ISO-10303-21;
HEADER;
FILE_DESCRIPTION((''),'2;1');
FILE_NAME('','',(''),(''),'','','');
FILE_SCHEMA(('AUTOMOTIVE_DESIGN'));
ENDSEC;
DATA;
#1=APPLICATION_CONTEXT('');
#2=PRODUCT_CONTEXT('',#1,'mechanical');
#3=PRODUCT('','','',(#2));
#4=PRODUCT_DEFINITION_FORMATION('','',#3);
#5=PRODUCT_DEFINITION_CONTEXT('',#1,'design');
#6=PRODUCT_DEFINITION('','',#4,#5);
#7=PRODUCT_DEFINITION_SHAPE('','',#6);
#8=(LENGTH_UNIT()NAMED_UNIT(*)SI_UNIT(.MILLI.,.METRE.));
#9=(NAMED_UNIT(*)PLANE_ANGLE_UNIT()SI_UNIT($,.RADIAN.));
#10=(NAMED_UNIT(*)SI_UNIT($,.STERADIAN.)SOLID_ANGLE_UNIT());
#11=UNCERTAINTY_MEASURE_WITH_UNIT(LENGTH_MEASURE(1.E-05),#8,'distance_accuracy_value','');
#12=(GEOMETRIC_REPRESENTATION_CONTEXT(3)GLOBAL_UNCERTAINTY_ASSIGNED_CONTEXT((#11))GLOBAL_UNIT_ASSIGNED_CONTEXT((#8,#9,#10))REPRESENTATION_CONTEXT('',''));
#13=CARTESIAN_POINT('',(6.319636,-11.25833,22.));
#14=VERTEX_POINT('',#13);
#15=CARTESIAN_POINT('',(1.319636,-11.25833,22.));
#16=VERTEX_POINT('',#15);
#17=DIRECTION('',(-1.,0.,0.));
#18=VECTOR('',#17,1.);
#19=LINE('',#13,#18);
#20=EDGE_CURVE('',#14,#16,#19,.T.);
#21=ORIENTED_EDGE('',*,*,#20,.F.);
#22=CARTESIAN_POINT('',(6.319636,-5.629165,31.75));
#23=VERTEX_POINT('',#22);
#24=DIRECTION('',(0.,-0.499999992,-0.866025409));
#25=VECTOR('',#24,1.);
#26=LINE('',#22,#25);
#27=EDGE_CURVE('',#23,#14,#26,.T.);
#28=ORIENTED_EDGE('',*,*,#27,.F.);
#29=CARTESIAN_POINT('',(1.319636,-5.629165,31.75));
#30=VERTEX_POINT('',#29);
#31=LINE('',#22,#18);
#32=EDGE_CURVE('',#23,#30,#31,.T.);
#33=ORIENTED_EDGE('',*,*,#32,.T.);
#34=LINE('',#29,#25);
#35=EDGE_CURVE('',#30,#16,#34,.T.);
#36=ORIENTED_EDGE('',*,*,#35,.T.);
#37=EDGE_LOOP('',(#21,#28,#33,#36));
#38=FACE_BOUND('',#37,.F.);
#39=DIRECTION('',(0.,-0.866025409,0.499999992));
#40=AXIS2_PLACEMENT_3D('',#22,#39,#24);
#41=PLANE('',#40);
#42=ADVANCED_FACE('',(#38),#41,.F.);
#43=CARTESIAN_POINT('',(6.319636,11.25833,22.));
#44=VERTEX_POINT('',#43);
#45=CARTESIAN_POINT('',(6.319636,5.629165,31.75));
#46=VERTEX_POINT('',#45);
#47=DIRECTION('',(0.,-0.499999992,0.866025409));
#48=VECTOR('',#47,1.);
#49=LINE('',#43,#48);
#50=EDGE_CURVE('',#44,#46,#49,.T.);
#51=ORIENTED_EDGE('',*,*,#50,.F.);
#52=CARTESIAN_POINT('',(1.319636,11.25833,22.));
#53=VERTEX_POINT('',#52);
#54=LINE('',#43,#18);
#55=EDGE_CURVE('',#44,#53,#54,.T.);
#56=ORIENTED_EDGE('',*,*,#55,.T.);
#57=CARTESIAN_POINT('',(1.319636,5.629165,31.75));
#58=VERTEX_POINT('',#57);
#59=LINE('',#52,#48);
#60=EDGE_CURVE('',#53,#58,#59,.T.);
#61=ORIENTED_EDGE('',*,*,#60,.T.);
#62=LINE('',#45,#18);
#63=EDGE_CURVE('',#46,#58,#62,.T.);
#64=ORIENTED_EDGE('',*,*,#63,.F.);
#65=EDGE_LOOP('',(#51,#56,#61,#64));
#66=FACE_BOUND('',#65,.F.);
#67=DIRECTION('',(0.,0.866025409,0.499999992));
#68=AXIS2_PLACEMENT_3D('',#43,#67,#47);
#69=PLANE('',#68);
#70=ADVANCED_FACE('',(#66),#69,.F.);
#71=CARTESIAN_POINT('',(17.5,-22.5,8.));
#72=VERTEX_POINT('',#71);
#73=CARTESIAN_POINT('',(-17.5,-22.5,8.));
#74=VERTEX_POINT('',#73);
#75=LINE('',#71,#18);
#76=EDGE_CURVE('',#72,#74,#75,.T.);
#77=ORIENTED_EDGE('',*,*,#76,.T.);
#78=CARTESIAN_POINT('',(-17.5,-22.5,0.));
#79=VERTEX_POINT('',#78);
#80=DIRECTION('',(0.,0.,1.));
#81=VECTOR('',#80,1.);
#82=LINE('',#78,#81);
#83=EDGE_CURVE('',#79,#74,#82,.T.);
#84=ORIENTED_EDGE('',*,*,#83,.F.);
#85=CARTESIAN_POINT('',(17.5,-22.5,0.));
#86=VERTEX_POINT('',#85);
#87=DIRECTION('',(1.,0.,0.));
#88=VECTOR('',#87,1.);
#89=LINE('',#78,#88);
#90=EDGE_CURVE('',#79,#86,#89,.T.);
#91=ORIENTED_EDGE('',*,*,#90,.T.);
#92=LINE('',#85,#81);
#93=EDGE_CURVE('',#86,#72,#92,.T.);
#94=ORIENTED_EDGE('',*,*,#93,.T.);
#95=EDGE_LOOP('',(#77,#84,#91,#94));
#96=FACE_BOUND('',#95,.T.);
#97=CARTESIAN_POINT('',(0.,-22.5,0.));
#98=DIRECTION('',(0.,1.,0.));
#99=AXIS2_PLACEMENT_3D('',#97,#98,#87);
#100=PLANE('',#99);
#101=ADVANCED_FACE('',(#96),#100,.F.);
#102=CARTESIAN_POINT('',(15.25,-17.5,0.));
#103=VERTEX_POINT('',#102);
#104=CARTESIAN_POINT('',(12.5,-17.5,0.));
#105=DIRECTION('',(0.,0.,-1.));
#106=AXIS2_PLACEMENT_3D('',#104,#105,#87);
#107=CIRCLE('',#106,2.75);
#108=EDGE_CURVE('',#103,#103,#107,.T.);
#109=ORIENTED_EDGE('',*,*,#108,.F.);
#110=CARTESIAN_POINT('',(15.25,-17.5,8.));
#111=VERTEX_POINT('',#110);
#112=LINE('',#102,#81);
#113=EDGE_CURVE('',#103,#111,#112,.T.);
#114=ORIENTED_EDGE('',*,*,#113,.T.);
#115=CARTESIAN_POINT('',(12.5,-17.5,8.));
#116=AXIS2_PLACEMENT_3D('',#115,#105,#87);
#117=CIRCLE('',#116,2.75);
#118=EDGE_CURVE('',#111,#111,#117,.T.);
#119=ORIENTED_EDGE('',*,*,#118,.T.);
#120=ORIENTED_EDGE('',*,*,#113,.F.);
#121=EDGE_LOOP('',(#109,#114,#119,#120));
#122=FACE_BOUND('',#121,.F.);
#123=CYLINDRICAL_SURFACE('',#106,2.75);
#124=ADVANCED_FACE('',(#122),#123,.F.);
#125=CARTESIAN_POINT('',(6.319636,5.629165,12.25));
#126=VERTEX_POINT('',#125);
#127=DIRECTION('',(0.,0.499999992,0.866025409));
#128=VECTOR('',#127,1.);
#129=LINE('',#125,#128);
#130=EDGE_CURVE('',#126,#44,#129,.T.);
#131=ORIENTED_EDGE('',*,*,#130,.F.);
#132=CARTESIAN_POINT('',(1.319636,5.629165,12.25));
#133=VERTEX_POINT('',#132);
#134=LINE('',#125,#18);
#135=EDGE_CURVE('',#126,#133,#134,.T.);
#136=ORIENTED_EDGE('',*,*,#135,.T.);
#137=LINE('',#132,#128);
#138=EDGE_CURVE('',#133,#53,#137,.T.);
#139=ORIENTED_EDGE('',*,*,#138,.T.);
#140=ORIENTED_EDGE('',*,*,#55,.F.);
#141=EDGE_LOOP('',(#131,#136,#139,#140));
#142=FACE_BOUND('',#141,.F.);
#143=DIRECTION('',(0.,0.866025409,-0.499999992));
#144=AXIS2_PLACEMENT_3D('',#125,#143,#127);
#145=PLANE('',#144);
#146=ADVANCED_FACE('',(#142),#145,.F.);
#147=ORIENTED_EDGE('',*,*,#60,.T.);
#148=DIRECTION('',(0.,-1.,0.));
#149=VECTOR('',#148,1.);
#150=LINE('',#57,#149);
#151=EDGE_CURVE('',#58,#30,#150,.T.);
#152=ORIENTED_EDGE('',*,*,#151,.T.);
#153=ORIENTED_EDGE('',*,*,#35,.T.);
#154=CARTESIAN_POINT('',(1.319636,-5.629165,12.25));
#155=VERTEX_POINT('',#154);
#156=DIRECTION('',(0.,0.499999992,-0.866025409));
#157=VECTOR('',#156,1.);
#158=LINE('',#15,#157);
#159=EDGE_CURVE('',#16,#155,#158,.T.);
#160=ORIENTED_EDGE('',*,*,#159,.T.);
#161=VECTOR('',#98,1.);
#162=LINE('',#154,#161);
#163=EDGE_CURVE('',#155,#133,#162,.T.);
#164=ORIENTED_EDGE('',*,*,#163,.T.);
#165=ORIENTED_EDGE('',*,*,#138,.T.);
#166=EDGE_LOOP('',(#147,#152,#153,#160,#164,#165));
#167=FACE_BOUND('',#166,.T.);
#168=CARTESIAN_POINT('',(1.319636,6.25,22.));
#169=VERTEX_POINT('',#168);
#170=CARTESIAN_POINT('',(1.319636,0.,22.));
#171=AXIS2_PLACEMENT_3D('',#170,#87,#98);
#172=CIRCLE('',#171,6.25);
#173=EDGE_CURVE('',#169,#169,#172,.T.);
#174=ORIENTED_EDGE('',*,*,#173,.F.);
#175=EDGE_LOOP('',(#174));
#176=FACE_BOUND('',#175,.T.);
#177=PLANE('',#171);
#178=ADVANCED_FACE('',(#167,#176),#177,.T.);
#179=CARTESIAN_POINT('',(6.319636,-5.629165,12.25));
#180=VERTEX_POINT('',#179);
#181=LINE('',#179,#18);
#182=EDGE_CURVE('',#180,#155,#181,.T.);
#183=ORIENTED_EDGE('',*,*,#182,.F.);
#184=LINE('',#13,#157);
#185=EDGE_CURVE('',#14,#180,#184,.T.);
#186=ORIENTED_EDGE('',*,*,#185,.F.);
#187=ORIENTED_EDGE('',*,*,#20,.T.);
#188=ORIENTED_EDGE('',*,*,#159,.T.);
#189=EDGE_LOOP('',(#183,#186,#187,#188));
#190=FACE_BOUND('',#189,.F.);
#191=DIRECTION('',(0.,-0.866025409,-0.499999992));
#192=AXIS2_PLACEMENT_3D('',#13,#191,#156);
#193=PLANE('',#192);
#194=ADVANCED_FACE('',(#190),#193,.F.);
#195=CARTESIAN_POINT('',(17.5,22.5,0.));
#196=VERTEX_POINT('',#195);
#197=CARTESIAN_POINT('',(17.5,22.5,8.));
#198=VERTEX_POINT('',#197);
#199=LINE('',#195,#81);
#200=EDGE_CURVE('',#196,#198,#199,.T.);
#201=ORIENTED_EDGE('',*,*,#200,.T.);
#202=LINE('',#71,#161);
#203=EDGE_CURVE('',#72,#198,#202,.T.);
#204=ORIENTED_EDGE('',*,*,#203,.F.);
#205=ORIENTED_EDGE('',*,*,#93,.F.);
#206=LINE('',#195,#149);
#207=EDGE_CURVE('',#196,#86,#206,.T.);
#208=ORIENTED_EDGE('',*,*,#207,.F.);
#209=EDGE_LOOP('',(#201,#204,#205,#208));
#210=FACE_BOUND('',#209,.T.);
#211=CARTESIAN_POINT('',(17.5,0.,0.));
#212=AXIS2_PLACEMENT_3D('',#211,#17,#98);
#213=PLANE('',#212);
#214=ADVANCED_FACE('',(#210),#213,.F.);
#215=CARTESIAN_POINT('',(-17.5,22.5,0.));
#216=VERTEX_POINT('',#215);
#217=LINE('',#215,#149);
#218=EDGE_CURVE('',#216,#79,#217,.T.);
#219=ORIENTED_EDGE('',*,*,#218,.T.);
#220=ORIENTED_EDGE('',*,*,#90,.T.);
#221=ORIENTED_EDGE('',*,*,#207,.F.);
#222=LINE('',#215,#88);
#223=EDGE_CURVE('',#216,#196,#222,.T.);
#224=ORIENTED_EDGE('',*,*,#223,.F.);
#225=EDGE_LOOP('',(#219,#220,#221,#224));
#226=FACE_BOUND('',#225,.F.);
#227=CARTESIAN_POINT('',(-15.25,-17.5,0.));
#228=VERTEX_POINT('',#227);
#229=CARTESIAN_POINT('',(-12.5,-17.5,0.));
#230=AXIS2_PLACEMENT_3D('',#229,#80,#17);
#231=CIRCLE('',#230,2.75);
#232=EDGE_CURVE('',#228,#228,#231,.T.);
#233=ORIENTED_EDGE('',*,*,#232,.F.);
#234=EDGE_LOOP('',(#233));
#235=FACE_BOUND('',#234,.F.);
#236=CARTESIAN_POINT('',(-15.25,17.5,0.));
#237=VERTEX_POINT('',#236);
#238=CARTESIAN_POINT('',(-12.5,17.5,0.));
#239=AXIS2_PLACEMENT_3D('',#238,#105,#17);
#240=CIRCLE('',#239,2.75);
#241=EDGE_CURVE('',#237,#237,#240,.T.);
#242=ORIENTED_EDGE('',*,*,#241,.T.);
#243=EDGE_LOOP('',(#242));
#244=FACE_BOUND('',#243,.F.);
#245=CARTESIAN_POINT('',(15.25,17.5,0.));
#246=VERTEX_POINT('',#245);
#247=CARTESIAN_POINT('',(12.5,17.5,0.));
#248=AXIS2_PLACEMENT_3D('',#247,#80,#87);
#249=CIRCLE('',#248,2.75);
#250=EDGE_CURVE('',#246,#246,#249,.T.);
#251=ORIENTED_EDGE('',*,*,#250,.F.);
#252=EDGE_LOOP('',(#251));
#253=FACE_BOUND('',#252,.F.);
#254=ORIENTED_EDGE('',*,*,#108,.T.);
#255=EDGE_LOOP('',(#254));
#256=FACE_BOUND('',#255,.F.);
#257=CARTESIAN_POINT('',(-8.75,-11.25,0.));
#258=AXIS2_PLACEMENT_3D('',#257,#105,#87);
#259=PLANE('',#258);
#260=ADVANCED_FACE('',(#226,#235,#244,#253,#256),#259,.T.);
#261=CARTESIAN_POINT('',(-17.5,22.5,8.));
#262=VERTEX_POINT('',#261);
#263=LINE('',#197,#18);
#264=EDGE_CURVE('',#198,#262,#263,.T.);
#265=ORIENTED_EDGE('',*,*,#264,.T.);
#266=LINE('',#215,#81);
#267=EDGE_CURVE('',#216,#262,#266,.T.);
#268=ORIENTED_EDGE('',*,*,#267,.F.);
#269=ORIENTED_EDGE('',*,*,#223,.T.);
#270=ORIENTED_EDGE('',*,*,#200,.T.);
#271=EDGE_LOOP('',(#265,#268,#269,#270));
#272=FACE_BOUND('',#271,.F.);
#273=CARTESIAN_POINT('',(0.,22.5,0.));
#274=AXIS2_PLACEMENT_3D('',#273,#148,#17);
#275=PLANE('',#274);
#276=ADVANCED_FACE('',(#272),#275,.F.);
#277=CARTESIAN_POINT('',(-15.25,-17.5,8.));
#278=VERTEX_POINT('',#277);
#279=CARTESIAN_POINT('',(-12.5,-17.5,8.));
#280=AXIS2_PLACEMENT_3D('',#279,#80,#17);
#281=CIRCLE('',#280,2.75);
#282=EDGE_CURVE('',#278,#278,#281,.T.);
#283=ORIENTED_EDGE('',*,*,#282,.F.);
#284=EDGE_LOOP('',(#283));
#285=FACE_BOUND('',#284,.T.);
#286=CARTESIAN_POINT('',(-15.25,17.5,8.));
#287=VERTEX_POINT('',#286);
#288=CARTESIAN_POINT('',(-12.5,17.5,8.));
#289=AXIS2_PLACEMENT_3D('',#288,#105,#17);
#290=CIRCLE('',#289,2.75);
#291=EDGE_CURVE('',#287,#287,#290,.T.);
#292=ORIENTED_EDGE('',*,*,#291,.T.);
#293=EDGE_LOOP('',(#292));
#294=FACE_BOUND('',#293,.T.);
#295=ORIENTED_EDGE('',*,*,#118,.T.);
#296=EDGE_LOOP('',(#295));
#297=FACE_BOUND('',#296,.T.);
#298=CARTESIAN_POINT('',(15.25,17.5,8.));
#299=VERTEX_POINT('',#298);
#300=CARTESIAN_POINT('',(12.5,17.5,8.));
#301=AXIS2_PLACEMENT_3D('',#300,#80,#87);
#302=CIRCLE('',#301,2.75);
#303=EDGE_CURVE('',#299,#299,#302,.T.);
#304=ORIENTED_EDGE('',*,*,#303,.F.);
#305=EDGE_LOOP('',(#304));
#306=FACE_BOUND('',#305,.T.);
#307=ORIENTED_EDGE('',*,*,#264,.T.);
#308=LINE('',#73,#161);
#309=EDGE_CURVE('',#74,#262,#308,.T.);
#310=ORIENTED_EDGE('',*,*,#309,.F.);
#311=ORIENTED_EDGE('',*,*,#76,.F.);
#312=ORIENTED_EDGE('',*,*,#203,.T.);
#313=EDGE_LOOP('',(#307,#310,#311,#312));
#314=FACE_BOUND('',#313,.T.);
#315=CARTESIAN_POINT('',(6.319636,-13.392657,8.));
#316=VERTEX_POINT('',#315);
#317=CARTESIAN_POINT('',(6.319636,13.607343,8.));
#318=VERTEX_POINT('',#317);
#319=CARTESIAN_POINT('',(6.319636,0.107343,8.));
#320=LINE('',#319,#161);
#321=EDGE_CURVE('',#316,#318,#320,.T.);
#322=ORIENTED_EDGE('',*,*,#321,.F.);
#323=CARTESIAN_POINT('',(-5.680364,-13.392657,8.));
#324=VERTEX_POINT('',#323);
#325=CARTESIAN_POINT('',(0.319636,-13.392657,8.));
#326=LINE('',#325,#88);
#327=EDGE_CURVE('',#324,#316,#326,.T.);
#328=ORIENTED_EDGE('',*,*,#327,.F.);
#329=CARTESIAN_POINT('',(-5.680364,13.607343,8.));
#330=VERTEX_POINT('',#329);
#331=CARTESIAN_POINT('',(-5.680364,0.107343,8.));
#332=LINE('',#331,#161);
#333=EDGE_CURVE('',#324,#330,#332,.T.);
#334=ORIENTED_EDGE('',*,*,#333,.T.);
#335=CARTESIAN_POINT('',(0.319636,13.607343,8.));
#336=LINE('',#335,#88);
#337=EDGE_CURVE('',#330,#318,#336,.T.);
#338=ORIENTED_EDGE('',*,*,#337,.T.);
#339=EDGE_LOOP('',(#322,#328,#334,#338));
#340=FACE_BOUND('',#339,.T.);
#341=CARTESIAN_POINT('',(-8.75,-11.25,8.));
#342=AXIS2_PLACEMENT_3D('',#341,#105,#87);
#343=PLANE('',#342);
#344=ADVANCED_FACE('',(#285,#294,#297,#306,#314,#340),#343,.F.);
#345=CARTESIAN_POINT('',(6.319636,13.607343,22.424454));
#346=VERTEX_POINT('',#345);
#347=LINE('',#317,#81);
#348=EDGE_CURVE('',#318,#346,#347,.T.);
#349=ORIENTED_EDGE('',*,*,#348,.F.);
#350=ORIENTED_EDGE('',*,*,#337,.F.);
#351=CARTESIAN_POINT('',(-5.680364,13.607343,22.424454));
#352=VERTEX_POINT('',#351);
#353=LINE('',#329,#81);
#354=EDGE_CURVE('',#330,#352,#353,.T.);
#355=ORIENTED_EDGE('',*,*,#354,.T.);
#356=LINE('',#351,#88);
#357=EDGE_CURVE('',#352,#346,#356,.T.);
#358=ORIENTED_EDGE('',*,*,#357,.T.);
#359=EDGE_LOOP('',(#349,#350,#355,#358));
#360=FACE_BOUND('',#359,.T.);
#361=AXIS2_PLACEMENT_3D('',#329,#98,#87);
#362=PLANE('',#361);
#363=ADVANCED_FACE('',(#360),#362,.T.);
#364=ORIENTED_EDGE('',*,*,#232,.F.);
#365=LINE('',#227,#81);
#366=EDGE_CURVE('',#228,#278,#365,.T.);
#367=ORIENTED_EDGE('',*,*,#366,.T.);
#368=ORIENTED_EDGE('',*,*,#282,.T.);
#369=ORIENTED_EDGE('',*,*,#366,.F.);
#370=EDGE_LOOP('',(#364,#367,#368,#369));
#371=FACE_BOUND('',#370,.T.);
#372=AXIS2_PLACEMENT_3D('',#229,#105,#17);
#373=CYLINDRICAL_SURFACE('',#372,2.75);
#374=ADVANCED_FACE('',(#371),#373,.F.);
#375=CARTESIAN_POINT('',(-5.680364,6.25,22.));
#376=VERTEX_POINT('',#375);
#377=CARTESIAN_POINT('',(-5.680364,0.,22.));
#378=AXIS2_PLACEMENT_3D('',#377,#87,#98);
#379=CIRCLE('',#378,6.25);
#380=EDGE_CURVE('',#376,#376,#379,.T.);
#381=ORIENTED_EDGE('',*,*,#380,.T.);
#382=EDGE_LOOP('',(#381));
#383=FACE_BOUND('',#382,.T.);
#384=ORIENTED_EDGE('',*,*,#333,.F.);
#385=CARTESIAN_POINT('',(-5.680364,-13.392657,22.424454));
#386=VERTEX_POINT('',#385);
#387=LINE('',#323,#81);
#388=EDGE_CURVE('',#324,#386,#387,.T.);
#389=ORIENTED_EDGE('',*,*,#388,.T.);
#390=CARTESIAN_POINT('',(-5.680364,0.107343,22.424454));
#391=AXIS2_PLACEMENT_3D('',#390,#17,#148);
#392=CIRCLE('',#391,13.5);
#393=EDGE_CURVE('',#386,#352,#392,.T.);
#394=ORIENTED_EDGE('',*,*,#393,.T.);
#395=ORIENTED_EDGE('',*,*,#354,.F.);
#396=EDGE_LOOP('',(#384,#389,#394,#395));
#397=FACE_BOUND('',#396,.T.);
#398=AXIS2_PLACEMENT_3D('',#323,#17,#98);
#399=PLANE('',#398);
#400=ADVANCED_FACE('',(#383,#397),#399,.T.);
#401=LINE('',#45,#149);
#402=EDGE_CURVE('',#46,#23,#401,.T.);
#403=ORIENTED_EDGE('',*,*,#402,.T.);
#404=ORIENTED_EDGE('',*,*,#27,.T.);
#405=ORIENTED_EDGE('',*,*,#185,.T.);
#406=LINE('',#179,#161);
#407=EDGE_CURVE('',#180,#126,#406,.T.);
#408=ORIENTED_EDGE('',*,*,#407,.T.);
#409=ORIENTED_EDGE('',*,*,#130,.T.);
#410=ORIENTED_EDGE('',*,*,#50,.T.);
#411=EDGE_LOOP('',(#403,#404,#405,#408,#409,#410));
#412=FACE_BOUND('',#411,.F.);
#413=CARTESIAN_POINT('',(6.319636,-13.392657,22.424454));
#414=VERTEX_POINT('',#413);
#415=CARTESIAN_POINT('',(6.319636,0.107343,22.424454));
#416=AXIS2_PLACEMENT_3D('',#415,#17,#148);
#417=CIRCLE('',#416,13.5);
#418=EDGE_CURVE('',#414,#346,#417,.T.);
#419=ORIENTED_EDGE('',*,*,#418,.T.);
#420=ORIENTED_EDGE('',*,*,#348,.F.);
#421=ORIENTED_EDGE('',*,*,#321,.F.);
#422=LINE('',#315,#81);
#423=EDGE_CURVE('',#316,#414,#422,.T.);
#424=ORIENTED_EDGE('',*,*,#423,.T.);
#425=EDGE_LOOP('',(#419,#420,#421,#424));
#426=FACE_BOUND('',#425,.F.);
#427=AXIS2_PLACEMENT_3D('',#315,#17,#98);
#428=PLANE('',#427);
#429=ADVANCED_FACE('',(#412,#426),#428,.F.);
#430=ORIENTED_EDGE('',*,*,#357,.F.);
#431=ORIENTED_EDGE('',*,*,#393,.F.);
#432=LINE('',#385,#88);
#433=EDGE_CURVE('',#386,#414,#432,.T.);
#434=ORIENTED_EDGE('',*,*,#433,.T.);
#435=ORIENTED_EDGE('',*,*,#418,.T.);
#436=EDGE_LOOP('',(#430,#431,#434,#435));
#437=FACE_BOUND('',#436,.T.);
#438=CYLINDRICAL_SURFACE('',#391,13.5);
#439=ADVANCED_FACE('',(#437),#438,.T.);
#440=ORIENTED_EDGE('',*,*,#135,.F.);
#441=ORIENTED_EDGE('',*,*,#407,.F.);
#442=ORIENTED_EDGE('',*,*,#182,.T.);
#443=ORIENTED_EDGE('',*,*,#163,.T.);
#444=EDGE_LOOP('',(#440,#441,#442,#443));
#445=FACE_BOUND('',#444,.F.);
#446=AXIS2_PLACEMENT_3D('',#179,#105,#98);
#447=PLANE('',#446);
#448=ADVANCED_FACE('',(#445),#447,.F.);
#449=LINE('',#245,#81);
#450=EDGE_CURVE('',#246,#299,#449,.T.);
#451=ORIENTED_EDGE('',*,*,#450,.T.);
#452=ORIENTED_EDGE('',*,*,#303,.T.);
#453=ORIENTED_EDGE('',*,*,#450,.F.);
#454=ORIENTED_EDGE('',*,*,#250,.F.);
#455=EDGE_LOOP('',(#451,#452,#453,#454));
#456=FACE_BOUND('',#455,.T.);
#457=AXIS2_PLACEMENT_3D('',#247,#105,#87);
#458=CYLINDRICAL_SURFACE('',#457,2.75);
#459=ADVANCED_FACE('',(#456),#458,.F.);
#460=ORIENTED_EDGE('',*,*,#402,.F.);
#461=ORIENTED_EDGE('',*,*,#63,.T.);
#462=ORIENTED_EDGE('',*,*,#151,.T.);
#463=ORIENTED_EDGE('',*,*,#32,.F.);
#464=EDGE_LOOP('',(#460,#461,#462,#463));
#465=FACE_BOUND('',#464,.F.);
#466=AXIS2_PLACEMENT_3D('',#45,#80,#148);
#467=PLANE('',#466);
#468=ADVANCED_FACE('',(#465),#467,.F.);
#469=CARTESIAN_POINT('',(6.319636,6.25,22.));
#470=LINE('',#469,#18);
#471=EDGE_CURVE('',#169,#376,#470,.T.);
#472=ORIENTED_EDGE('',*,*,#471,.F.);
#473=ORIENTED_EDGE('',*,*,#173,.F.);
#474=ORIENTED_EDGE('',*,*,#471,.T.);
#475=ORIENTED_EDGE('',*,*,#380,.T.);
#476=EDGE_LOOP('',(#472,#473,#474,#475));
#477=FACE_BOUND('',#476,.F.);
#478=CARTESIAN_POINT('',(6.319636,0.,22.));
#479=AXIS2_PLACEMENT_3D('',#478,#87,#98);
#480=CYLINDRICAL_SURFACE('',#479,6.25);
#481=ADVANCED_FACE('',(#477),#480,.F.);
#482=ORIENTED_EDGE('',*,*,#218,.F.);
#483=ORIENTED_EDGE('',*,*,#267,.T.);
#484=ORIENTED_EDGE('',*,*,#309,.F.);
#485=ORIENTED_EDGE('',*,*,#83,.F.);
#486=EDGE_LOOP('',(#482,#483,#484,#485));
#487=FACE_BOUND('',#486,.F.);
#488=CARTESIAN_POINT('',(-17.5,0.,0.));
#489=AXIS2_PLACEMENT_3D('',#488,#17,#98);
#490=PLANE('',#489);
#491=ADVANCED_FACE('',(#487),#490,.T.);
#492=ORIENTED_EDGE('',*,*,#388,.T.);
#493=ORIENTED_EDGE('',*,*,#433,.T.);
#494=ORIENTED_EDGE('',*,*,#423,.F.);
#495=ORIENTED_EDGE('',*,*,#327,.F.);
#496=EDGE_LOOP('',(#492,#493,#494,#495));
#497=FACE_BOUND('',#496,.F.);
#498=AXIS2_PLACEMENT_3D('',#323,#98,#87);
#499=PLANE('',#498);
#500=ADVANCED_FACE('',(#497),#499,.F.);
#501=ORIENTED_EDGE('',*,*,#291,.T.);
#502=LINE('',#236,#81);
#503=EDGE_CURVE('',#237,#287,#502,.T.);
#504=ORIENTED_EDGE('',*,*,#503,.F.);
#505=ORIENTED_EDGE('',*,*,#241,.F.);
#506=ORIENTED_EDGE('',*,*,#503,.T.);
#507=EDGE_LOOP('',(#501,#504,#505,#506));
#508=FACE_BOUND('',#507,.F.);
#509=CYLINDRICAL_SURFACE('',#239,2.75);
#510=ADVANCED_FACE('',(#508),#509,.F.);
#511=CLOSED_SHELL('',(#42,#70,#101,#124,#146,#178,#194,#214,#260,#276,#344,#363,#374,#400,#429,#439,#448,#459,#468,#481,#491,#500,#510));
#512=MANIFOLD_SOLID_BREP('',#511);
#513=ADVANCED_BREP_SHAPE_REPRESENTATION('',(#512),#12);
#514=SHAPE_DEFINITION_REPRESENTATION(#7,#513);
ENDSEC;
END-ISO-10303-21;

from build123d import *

# Parameters (mm, degrees)
SKETCH001_W            = 17.5
SKETCH001_H            = 22.5
SKETCH001_R            = 2.75
PAD_DEPTH              = 8
SKETCH001_MIRRORED_2_W = 17.5
SKETCH001_MIRRORED_2_H = 22.5
SKETCH001_MIRRORED_2_R = 2.75
PAD_MIRRORED_2_DEPTH   = 8
SKETCH003_W            = 12
SKETCH003_H            = 27
PAD001_DEPTH           = 28
POCKET_DEPTH           = 56
SKETCH006_R            = 6.25
POCKET001_DEPTH        = 23.820636
POCKET001_DEPTH_BACK   = -11.181364
POCKET002_DEPTH        = 5


with BuildPart() as part:
    # Sketch001 → Pad (new body)
    with BuildSketch(Plane.XY):
        with Locations((8.75, 11.25)):
            Rectangle(SKETCH001_W, SKETCH001_H)
        with Locations((12.5, 17.5)):
            Circle(SKETCH001_R, mode=Mode.SUBTRACT)
    pad = extrude(amount=PAD_DEPTH)

    # Sketch001 Mirrored 2 → Pad Mirrored 2 (add)
    with BuildSketch(Plane(origin=(0, 0, 0), x_dir=(-1, 0, 0), z_dir=(0, 0, -1))):
        with Locations((8.75, 11.25)):
            Rectangle(SKETCH001_MIRRORED_2_W, SKETCH001_MIRRORED_2_H)
        with Locations((12.5, 17.5)):
            Circle(SKETCH001_MIRRORED_2_R, mode=Mode.SUBTRACT)
    pad_mirrored_2 = extrude(amount=-PAD_MIRRORED_2_DEPTH)

    # Mirrored001: Pad, Pad Mirrored 2 across Sketch001 H_Axis
    add(pad.mirror(Plane.ZX))
    add(pad_mirrored_2.mirror(Plane.ZX))

    # Sketch003 (on Face12 of MultiTransform) → Pad001 (join)
    with BuildSketch(Plane.XY.offset(8)):
        with Locations((0.319636, 0.107343)):
            Rectangle(SKETCH003_W, SKETCH003_H)
    extrude(amount=PAD001_DEPTH)

    # Sketch004 (on Face23 of Pad001) → Pocket (cut)
    with BuildSketch(Plane(origin=(-5.680364, 0, 0), x_dir=(0, -1, 0), z_dir=(-1, 0, 0))):
        with BuildLine():
            ThreePointArc((13.392657, 22.424454), (-0.107343, 35.924454), (-13.607343, 22.424454))
            Line((-13.607343, 22.424454), (-13.627651, 49.129635))
            Line((-13.627651, 49.129635), (14.64682, 49.129635))
            Line((14.64682, 49.129635), (13.392657, 22.424454))
        make_face()
    extrude(amount=-POCKET_DEPTH, mode=Mode.SUBTRACT)

    # Sketch006 (on Face12 of Pocket) → Pocket001 (cut, two sides)
    with BuildSketch(Plane.YZ.offset(6.319636)) as pocket001_sk:
        with Locations((0, 22)):
            Circle(SKETCH006_R)
    extrude(amount=-POCKET001_DEPTH, mode=Mode.SUBTRACT)
    extrude(pocket001_sk.sketch, amount=-POCKET001_DEPTH_BACK, mode=Mode.SUBTRACT)

    # Sketch007 (on Face12 of Pocket001) → Pocket002 (cut)
    with BuildSketch(Plane.YZ.offset(6.319636)):
        Polygon((5.629165, 12.25), (11.25833, 22), (5.629165, 31.75), (-5.629165, 31.75), (-11.25833, 22), (-5.629165, 12.25), align=None)
    extrude(amount=-POCKET002_DEPTH, mode=Mode.SUBTRACT)


solid = part.part
